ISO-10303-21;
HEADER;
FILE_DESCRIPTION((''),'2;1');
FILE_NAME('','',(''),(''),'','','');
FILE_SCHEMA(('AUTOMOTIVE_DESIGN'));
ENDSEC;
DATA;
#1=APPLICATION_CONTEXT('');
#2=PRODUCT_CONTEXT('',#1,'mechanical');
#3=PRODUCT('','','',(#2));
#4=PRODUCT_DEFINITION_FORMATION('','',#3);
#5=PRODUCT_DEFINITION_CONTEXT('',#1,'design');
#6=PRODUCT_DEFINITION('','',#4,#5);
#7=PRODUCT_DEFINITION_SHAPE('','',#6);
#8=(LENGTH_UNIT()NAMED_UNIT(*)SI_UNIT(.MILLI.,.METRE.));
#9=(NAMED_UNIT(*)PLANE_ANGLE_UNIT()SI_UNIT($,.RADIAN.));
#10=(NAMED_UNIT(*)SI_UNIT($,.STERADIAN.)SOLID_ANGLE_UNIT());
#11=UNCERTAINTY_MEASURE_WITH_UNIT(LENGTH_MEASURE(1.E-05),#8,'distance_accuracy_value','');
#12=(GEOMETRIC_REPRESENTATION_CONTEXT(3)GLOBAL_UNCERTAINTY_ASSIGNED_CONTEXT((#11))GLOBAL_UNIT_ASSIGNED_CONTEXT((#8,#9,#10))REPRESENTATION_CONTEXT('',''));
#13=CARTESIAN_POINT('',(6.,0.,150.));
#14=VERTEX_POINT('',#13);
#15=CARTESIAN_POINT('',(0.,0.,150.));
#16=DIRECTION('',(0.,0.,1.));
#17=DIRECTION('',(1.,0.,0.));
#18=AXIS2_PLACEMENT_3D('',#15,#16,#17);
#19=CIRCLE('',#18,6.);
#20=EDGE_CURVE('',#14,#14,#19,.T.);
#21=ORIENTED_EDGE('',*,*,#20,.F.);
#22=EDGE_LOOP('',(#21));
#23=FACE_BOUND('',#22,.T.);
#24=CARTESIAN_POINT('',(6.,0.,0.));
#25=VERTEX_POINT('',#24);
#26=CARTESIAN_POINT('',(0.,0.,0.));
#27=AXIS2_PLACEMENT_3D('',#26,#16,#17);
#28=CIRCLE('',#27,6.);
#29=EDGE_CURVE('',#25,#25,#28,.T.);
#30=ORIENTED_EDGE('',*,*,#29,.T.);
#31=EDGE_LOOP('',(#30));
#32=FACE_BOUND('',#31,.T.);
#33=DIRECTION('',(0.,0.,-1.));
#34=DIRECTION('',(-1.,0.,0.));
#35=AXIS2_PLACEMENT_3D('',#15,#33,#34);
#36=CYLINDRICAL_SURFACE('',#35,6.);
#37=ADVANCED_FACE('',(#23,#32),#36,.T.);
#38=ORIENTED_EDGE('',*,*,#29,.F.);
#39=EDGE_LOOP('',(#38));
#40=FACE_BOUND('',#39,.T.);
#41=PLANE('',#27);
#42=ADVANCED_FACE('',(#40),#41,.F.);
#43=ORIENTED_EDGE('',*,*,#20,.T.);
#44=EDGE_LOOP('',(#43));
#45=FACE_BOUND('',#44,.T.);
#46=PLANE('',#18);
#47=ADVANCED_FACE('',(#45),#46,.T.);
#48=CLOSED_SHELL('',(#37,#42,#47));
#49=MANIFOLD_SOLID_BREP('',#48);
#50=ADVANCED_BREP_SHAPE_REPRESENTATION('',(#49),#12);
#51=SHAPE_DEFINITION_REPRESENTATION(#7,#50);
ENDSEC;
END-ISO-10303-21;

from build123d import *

# Parameters (mm, degrees)
SKIZZE1_R                       = 6
AUFSATZ_LINEAR_AUSTRAGEN1_DEPTH = 150


with BuildPart() as part:
    # Skizze1 → Aufsatz-Linear austragen1 (new body)
    with BuildSketch(Plane.XY):
        Circle(SKIZZE1_R)
    extrude(amount=AUFSATZ_LINEAR_AUSTRAGEN1_DEPTH)


solid = part.part
